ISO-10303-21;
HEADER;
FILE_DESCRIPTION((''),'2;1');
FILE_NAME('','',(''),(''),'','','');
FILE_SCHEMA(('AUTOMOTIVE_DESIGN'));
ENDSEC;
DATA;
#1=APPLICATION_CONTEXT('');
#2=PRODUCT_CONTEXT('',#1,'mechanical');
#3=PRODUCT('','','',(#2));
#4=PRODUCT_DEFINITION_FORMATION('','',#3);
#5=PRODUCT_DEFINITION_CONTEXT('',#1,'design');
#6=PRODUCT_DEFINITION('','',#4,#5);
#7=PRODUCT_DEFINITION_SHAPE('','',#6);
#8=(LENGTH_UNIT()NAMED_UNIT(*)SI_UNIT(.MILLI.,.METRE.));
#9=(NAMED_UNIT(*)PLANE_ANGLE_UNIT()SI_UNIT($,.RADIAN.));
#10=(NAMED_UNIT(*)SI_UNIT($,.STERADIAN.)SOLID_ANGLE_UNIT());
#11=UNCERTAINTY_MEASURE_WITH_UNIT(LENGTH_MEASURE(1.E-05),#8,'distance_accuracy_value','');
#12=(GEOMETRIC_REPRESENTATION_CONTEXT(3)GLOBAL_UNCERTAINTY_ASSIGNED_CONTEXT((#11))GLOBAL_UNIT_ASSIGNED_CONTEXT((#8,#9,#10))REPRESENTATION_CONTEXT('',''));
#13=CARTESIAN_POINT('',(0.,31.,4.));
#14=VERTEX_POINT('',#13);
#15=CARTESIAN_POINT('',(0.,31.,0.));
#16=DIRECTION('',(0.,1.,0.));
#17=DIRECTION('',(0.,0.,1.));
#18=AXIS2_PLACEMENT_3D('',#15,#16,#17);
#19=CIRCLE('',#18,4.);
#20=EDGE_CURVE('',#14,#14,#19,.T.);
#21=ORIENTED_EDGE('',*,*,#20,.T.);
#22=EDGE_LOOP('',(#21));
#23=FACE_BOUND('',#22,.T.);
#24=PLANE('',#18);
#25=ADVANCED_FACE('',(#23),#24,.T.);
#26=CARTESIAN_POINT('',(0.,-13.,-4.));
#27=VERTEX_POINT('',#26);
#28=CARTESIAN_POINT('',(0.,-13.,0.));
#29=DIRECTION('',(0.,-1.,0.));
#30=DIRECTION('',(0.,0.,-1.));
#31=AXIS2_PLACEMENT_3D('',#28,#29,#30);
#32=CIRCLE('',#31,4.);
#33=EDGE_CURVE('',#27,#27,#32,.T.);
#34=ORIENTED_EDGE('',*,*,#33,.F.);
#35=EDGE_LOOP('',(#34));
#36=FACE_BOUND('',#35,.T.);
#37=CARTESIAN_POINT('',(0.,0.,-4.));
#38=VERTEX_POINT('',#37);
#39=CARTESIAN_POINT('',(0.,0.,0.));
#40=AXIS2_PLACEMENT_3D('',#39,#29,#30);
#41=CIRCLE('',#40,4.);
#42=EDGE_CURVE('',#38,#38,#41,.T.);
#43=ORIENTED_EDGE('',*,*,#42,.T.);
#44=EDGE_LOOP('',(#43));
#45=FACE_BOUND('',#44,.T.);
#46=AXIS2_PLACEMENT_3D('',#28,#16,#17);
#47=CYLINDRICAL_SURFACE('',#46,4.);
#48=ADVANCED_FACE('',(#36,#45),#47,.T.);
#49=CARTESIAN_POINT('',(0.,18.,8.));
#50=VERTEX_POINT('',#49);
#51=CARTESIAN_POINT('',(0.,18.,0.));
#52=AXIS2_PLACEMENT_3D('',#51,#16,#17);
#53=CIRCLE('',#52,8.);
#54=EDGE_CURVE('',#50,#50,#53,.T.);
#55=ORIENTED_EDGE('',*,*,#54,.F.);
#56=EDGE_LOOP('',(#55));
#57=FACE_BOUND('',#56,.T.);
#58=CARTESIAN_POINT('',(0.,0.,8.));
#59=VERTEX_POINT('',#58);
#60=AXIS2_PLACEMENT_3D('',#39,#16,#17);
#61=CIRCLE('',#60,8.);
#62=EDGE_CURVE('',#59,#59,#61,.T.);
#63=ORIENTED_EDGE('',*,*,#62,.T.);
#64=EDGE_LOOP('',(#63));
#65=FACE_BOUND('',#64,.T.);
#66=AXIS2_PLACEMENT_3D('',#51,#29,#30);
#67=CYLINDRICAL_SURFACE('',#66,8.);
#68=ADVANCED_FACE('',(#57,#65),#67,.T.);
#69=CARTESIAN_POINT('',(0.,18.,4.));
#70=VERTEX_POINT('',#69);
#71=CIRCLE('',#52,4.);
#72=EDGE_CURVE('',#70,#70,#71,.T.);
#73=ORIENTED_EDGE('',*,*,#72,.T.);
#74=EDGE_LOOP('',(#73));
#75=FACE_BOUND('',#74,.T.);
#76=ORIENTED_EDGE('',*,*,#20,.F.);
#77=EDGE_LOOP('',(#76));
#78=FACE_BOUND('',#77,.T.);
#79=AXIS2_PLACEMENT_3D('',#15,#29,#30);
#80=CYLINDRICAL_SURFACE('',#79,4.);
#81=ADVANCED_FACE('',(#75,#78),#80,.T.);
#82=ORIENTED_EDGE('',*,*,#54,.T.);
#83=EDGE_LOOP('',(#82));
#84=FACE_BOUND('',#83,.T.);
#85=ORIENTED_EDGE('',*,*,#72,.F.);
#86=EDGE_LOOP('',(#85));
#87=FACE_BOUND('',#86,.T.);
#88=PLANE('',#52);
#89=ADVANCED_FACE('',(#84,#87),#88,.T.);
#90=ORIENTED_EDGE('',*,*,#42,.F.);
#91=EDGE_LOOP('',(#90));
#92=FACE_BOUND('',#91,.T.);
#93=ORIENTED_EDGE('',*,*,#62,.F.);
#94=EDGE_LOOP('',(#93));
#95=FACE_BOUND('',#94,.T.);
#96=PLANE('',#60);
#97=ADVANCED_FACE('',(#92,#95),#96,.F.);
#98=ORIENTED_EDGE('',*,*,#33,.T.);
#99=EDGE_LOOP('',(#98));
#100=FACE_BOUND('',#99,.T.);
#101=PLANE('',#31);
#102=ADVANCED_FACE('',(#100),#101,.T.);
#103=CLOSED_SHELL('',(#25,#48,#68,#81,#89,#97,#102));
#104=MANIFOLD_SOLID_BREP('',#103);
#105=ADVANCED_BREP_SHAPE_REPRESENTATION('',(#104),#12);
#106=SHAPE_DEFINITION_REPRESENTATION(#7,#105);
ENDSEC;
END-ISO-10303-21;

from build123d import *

# Parameters (mm, degrees)
SKETCH_1_R      = 8
EXTRUDE_1_DEPTH = 18
SKETCH_2_R      = 4
EXTRUDE_2_DEPTH = 13
SKETCH_3_R      = 4
EXTRUDE_3_DEPTH = 13


with BuildPart() as part:
    # 草图1 → 凸台-拉伸1 (new body)
    with BuildSketch(Plane(origin=(0, 0, 0), x_dir=(1, 0, 0), z_dir=(0, 1, 0))):
        Circle(SKETCH_1_R)
    extrude(amount=EXTRUDE_1_DEPTH)

    # 草图2 → 凸台-拉伸2 (add)
    with BuildSketch(Plane(origin=(0, 18, 0), x_dir=(1, 0, 0), z_dir=(0, 1, 0))):
        Circle(SKETCH_2_R)
    extrude(amount=EXTRUDE_2_DEPTH)

    # 草图3 → 凸台-拉伸3 (add)
    with BuildSketch(Plane.XZ):
        Circle(SKETCH_3_R)
    extrude(amount=EXTRUDE_3_DEPTH)


solid = part.part
